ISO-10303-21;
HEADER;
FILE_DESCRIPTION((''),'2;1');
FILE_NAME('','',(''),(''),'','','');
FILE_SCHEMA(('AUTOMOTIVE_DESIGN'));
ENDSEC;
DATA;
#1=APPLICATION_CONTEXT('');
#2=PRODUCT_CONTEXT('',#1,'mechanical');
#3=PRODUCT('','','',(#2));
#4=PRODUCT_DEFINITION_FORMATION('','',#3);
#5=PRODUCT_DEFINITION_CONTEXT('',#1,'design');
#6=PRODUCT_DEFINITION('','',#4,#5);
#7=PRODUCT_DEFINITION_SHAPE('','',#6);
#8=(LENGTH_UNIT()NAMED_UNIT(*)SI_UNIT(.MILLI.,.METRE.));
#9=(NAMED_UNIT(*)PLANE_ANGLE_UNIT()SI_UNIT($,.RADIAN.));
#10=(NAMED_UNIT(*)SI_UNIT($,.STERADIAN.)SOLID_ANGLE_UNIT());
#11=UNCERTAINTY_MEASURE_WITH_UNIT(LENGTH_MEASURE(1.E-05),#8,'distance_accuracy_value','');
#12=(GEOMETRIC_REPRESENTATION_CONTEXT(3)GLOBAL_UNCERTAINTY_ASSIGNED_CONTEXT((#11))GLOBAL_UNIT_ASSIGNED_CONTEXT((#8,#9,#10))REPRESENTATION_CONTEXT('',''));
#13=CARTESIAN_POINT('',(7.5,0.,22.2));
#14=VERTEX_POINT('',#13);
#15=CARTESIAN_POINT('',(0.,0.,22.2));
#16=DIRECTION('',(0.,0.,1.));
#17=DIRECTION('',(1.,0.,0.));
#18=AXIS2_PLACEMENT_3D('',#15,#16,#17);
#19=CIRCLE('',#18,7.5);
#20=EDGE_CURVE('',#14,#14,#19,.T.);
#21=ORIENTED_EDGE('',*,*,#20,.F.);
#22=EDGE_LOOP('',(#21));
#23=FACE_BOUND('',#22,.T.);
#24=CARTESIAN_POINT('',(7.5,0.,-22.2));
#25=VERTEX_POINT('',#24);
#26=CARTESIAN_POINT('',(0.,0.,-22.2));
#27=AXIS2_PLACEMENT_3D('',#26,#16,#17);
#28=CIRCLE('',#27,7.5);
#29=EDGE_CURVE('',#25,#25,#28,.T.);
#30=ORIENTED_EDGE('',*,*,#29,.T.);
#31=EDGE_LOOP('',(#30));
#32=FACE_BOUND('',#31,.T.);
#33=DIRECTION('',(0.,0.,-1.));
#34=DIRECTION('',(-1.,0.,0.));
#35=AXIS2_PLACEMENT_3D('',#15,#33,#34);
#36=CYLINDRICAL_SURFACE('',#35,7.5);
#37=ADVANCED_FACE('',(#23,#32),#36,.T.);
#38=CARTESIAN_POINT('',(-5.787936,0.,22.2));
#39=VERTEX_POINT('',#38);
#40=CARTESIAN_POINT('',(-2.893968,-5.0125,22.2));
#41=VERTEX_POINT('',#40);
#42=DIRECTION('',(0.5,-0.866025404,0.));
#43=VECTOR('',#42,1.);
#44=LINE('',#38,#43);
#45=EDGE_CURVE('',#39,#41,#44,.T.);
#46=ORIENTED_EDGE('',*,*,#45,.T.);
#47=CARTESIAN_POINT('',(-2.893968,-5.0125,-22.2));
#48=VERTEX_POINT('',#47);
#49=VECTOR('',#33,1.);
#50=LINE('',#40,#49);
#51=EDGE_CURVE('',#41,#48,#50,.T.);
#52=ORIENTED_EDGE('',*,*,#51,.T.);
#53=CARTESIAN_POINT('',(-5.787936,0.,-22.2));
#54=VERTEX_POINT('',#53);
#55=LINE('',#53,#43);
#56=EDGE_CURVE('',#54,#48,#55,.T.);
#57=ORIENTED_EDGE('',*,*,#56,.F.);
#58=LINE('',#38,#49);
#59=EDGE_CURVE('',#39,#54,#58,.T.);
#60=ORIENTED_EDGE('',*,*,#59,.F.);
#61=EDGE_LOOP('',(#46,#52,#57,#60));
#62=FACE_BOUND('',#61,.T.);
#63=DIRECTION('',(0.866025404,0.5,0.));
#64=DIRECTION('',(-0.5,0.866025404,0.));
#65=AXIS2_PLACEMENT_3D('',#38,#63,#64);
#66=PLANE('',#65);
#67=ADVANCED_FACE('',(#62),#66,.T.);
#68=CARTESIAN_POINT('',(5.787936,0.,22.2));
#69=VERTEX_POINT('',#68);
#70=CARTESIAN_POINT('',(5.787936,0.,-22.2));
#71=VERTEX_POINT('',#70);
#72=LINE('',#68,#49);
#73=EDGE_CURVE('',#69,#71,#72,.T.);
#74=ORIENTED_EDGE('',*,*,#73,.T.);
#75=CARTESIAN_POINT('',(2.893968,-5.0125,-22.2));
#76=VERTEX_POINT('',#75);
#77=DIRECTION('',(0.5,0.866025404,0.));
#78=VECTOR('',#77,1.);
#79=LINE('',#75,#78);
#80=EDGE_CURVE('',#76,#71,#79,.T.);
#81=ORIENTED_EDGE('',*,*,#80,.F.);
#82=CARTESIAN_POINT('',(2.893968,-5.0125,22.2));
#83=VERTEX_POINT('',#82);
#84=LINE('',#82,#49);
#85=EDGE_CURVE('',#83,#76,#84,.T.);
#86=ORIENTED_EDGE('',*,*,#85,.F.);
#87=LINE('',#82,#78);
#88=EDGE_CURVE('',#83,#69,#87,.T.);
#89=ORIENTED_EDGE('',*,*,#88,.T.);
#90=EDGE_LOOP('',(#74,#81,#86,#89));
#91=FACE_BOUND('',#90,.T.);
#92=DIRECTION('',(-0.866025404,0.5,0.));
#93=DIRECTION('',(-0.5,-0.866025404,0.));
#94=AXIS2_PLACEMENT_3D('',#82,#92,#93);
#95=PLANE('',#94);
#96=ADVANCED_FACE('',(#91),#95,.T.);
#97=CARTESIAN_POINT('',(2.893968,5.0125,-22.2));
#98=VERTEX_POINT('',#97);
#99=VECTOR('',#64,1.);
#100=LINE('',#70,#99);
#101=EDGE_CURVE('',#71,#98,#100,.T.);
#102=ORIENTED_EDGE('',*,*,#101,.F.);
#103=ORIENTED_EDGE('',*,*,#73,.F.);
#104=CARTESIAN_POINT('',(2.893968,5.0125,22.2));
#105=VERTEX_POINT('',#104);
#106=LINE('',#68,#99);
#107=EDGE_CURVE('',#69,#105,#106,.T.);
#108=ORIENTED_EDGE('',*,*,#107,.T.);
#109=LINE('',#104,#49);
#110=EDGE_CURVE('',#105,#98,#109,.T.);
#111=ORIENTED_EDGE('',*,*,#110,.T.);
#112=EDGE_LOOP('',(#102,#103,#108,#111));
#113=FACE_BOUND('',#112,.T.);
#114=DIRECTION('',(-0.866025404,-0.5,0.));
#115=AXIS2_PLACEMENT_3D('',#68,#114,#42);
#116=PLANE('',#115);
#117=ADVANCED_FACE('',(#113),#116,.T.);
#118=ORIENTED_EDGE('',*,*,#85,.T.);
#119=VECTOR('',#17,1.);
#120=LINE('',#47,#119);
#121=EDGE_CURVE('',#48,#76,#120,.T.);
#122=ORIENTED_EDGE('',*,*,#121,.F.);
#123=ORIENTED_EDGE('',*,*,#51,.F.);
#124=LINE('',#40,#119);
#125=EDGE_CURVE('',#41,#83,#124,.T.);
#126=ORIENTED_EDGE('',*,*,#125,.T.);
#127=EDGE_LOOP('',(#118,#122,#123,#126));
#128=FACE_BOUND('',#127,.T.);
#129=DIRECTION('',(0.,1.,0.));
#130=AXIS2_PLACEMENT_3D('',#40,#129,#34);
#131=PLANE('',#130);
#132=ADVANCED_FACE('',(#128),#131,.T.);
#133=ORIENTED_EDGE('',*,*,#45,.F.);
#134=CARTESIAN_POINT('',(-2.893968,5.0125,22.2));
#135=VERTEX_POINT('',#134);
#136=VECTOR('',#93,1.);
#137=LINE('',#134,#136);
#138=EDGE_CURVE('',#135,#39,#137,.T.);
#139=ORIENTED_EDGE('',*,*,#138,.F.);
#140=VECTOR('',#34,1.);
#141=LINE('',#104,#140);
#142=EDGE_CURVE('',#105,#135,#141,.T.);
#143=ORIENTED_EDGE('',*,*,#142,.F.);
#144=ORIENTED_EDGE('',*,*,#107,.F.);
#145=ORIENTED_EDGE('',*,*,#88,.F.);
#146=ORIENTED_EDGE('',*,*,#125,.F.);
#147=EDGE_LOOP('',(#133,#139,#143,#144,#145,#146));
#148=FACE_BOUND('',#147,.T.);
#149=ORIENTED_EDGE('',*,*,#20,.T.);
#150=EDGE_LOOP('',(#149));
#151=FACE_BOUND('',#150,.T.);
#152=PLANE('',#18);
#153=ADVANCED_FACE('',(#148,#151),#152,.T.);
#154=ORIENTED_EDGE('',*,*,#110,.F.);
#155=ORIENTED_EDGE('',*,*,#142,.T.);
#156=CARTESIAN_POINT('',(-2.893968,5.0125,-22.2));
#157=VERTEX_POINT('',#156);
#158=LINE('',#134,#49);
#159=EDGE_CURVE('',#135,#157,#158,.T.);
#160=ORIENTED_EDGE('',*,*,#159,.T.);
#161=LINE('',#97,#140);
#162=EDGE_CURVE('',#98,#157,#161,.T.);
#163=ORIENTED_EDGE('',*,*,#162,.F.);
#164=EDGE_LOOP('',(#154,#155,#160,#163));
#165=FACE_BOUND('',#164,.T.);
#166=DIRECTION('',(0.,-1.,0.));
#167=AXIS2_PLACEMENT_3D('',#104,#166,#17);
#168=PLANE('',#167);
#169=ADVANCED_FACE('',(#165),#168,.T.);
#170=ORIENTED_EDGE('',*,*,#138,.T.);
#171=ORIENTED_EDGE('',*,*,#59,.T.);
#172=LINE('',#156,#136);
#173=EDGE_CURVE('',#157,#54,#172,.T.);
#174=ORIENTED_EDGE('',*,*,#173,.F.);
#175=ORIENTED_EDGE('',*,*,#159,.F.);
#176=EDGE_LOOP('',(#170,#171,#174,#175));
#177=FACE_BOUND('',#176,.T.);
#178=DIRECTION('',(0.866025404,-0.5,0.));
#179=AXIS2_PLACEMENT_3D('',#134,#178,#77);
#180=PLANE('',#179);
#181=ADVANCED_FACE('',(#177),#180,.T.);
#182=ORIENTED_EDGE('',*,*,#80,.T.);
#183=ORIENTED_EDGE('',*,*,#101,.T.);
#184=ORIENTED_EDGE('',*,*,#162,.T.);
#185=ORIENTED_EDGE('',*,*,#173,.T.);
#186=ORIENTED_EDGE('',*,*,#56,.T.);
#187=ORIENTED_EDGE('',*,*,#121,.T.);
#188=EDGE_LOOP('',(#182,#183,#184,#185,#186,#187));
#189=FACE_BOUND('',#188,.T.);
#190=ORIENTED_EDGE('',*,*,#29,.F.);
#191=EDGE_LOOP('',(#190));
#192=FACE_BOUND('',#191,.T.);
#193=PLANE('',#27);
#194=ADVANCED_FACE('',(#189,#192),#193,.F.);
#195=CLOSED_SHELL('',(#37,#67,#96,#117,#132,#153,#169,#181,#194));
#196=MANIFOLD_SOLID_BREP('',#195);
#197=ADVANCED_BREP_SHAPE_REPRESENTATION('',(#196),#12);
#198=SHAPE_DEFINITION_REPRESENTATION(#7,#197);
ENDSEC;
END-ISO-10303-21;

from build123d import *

# Parameters (mm, degrees)
SKETCH1_R           = 7.5
BOSS_EXTRUDE1_DEPTH = 22.2


with BuildPart() as part:
    # Sketch1 → Boss-Extrude1 (new, symmetric)
    with BuildSketch(Plane.XY):
        Circle(SKETCH1_R)
        Polygon((5.787936449, 0), (2.893968224, 5.0125), (-2.893968224, 5.0125), (-5.787936449, 0), (-2.893968224, -5.0125), (2.893968224, -5.0125), align=None, mode=Mode.SUBTRACT)
    extrude(amount=BOSS_EXTRUDE1_DEPTH, both=True)


solid = part.part
